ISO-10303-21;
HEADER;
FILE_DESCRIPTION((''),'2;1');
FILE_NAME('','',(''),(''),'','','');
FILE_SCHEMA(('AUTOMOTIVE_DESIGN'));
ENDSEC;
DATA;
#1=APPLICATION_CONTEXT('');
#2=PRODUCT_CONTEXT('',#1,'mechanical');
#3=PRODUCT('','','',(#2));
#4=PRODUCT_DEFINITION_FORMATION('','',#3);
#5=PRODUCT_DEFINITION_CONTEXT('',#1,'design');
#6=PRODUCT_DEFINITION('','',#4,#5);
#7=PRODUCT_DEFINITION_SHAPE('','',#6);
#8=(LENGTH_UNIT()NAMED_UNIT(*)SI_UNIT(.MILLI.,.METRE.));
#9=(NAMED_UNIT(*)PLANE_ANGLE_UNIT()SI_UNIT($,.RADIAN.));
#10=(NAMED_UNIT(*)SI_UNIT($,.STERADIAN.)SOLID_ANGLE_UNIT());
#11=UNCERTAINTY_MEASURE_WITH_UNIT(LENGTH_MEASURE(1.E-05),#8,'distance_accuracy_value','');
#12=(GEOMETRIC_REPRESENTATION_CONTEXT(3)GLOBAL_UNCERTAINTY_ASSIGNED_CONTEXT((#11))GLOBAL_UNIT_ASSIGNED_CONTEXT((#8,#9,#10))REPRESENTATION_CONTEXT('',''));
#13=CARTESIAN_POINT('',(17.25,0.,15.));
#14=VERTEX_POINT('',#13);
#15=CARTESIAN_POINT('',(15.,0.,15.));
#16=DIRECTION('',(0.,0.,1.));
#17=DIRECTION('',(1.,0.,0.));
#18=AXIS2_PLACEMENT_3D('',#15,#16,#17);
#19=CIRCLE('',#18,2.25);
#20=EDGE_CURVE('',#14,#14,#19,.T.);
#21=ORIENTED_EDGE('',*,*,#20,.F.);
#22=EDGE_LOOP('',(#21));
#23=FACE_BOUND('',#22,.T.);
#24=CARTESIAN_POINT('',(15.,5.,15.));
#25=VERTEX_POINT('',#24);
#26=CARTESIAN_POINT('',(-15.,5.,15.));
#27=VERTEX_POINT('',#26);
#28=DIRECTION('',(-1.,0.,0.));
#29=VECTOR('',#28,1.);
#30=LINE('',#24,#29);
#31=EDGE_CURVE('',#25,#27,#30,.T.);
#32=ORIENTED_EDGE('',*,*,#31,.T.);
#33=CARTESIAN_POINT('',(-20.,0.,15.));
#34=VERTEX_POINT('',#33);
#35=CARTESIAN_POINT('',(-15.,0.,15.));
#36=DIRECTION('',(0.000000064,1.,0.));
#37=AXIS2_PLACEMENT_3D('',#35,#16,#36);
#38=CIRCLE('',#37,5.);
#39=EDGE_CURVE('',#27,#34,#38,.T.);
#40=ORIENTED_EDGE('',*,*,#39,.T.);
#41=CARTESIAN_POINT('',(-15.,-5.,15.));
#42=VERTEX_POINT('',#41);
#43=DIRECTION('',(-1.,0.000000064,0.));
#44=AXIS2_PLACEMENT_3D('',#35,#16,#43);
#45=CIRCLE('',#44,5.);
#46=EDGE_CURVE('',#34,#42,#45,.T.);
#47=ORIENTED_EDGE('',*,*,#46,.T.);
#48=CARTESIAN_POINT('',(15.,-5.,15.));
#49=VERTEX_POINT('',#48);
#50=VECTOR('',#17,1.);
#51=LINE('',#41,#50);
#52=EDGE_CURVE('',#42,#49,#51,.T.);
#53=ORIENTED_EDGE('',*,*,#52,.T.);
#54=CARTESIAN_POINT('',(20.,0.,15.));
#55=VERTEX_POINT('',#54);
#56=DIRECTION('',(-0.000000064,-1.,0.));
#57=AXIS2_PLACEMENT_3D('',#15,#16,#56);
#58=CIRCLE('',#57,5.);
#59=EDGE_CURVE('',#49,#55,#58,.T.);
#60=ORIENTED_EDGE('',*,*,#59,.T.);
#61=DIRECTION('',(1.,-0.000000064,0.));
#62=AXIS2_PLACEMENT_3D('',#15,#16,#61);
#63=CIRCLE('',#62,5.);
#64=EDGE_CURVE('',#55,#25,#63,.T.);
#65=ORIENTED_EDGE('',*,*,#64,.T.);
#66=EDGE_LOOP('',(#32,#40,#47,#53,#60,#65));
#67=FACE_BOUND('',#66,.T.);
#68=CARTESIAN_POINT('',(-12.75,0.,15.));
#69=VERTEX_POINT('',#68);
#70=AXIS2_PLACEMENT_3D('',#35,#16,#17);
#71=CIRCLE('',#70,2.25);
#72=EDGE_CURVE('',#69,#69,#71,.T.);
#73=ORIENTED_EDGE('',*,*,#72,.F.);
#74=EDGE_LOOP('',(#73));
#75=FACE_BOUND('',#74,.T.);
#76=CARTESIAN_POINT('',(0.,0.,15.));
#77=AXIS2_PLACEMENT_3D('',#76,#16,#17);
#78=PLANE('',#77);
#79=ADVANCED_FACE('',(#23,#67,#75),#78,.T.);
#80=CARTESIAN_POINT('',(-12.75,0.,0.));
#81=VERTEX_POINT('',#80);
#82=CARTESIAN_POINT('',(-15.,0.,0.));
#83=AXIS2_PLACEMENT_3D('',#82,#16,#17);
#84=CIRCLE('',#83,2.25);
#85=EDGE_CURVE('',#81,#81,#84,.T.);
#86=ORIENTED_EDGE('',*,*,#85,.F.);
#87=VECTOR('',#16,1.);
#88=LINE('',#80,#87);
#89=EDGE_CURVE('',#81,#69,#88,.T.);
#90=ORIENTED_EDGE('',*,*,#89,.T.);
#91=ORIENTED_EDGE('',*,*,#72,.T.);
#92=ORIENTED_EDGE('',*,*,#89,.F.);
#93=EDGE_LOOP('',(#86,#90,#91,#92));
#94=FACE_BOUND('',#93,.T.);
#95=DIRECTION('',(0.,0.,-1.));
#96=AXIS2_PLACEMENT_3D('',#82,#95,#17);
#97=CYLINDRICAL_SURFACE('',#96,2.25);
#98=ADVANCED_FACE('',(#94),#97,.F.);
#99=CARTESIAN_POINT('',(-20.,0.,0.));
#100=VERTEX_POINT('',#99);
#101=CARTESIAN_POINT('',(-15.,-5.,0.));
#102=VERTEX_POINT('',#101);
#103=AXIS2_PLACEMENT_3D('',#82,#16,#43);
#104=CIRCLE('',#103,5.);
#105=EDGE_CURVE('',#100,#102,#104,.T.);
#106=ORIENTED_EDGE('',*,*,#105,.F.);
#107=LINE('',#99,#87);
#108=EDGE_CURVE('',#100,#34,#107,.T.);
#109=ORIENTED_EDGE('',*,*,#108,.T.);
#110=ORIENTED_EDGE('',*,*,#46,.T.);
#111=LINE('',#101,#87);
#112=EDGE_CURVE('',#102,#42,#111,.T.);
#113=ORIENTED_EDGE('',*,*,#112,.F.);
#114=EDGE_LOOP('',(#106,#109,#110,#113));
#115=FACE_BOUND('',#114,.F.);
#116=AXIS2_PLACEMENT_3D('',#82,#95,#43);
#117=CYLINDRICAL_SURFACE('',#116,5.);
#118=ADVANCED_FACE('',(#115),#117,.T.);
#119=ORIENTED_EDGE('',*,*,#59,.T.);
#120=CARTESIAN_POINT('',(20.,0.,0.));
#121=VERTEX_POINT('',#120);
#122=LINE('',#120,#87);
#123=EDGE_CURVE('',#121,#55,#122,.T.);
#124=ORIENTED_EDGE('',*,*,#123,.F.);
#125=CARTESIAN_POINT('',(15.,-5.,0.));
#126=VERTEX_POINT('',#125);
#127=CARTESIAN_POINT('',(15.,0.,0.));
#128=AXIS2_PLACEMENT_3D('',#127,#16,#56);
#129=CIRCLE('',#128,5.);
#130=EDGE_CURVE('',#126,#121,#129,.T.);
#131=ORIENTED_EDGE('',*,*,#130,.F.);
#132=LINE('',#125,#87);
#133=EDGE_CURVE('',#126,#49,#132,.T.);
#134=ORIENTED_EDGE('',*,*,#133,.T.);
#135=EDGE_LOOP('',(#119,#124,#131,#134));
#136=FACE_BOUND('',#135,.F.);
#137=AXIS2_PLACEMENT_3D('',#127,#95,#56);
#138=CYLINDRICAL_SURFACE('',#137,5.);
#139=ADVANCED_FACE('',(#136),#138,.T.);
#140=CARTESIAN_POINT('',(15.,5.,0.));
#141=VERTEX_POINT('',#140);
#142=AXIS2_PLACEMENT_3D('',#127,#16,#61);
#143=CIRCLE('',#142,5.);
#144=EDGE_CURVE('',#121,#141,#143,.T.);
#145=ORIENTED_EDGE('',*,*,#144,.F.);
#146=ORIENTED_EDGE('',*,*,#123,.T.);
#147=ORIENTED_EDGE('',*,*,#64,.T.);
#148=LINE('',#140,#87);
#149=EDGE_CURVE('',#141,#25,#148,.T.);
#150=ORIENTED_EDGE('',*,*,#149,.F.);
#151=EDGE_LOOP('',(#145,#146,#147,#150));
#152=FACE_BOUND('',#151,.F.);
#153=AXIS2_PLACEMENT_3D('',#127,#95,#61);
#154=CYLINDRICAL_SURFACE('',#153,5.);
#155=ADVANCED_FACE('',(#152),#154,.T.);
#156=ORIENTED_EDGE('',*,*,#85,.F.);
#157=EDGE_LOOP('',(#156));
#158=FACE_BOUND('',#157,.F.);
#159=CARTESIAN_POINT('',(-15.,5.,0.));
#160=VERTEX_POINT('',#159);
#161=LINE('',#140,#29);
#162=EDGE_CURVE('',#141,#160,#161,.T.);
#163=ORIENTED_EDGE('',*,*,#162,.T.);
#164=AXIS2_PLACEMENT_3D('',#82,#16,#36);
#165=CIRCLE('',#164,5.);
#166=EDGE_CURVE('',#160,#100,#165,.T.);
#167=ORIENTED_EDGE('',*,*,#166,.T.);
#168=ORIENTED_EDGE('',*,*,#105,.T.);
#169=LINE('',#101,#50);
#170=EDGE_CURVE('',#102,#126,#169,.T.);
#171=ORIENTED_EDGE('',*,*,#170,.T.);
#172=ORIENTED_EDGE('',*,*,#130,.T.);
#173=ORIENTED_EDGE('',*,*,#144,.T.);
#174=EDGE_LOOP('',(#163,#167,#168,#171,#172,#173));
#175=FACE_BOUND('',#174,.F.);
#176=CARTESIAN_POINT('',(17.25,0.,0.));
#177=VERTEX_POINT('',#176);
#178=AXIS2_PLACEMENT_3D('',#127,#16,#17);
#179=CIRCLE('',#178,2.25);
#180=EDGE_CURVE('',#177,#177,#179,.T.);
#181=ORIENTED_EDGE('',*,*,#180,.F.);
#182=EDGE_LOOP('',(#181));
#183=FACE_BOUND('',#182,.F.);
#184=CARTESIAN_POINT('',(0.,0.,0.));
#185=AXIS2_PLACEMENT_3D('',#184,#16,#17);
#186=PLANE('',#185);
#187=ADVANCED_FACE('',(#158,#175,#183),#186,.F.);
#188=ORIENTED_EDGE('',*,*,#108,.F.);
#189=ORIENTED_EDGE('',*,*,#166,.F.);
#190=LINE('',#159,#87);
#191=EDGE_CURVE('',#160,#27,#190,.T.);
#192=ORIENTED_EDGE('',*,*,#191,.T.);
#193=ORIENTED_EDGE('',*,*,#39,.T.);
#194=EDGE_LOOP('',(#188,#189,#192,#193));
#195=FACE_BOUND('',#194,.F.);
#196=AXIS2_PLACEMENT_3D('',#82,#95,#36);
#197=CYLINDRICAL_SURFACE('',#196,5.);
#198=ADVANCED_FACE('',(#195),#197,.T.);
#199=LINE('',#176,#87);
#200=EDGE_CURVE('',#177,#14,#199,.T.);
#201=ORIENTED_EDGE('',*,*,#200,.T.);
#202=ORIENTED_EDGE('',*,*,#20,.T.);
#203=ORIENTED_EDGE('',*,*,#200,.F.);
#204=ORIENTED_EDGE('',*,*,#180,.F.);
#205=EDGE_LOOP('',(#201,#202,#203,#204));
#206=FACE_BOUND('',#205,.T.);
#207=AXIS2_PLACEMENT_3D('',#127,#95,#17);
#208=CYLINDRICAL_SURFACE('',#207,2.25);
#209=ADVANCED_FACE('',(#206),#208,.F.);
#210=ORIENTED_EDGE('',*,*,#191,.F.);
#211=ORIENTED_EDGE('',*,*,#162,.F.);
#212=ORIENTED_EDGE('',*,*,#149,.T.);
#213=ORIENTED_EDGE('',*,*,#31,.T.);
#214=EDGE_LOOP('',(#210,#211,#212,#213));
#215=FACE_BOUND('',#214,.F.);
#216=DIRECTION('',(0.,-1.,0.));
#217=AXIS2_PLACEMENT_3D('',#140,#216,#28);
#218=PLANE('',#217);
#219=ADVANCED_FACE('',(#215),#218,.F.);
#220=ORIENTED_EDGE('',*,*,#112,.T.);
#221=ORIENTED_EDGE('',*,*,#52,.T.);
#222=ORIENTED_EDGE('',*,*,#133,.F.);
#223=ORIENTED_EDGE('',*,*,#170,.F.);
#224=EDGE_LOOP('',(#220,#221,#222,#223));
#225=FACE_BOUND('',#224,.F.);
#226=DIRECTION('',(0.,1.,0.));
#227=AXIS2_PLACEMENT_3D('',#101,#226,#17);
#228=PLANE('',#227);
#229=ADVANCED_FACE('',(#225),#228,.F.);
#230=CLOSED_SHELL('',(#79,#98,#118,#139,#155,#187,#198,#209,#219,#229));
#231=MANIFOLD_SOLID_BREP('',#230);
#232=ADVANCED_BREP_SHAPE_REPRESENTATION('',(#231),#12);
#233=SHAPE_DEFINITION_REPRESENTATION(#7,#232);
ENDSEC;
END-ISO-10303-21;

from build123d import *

# Parameters (mm, degrees)
F0_R     = 2.25
F1_DEPTH = 15


with BuildPart() as f1:
    # F0 (on Top) → F1 (new body)
    with BuildSketch(Plane.XY):
        with BuildLine():
            ThreePointArc((20, 0), (18.535534, 3.535534), (15, 5))
            Line((15, 5), (-15, 5))
            ThreePointArc((-15, 5), (-18.535534, 3.535534), (-20, 0))
            ThreePointArc((-20, 0), (-18.535534, -3.535534), (-15, -5))
            Line((-15, -5), (15, -5))
            ThreePointArc((15, -5), (18.535534, -3.535534), (20, 0))
        make_face()
        with Locations((-15, 0)):
            Circle(F0_R, mode=Mode.SUBTRACT)
        with Locations((15, 0)):
            Circle(F0_R, mode=Mode.SUBTRACT)
    extrude(amount=F1_DEPTH)


solid = f1.part
